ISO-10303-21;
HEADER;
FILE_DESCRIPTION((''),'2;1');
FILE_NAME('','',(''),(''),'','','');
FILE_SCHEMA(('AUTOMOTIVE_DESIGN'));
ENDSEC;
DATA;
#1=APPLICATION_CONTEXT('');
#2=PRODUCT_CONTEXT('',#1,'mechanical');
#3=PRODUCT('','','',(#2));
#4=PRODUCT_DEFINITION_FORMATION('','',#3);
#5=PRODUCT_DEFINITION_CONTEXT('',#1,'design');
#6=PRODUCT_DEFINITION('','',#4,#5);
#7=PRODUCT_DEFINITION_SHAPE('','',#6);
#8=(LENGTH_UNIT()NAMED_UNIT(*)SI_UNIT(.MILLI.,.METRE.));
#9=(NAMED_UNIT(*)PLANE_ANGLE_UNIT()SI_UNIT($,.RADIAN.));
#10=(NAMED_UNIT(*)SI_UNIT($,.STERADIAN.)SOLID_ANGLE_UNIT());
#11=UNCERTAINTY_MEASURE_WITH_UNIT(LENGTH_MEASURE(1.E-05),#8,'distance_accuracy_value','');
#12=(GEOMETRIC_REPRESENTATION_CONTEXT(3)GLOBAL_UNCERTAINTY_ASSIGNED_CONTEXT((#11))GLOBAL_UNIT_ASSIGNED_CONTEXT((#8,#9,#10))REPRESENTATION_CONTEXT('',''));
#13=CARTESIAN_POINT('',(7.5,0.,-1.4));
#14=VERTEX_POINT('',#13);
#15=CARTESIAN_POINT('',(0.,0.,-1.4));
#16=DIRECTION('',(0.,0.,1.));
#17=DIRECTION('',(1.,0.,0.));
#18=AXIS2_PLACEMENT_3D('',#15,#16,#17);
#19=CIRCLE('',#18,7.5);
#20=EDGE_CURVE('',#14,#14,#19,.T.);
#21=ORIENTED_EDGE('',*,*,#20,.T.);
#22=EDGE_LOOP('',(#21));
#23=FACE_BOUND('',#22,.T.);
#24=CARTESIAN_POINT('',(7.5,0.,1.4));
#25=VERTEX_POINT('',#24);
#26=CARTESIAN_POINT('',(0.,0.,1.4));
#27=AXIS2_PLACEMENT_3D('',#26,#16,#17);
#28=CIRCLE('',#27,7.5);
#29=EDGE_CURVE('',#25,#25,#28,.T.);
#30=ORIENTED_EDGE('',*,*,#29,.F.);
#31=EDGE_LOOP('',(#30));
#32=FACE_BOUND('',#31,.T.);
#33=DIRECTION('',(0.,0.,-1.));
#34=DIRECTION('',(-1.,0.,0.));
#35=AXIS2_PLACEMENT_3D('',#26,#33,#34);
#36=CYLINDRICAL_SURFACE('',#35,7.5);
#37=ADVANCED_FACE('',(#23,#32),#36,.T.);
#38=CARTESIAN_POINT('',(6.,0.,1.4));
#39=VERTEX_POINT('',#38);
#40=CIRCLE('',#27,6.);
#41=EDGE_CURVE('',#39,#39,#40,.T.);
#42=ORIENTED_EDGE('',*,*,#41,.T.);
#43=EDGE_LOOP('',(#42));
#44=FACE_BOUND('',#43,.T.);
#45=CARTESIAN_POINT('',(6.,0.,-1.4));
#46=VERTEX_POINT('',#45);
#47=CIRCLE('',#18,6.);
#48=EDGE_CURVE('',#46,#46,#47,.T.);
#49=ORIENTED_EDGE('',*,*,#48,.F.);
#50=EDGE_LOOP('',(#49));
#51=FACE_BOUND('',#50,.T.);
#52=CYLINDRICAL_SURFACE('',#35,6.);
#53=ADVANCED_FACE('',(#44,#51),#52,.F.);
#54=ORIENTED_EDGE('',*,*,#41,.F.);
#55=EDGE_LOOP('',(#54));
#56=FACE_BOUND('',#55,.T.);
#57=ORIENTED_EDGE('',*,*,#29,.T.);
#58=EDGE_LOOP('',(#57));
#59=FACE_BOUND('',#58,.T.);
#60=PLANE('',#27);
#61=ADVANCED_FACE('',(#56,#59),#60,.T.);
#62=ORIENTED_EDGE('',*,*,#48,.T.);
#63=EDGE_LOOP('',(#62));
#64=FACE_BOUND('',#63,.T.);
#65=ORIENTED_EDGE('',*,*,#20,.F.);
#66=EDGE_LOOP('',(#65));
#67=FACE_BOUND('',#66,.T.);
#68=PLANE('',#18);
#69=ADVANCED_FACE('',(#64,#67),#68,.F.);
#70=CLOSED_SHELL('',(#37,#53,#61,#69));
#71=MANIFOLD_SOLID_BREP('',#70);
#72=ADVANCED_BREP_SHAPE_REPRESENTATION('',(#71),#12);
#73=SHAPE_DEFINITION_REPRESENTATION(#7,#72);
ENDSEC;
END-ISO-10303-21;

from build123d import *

# Parameters (mm, degrees)
ESQUISSE1_R      = 7.5
ESQUISSE1_R_2    = 6
EXTRUSION1_DEPTH = 1.4


with BuildPart() as part:
    # Esquisse1 → Extrusion1 (new, symmetric)
    with BuildSketch(Plane.XY):
        Circle(ESQUISSE1_R)
        Circle(ESQUISSE1_R_2, mode=Mode.SUBTRACT)
    extrude(amount=EXTRUSION1_DEPTH, both=True)


solid = part.part
